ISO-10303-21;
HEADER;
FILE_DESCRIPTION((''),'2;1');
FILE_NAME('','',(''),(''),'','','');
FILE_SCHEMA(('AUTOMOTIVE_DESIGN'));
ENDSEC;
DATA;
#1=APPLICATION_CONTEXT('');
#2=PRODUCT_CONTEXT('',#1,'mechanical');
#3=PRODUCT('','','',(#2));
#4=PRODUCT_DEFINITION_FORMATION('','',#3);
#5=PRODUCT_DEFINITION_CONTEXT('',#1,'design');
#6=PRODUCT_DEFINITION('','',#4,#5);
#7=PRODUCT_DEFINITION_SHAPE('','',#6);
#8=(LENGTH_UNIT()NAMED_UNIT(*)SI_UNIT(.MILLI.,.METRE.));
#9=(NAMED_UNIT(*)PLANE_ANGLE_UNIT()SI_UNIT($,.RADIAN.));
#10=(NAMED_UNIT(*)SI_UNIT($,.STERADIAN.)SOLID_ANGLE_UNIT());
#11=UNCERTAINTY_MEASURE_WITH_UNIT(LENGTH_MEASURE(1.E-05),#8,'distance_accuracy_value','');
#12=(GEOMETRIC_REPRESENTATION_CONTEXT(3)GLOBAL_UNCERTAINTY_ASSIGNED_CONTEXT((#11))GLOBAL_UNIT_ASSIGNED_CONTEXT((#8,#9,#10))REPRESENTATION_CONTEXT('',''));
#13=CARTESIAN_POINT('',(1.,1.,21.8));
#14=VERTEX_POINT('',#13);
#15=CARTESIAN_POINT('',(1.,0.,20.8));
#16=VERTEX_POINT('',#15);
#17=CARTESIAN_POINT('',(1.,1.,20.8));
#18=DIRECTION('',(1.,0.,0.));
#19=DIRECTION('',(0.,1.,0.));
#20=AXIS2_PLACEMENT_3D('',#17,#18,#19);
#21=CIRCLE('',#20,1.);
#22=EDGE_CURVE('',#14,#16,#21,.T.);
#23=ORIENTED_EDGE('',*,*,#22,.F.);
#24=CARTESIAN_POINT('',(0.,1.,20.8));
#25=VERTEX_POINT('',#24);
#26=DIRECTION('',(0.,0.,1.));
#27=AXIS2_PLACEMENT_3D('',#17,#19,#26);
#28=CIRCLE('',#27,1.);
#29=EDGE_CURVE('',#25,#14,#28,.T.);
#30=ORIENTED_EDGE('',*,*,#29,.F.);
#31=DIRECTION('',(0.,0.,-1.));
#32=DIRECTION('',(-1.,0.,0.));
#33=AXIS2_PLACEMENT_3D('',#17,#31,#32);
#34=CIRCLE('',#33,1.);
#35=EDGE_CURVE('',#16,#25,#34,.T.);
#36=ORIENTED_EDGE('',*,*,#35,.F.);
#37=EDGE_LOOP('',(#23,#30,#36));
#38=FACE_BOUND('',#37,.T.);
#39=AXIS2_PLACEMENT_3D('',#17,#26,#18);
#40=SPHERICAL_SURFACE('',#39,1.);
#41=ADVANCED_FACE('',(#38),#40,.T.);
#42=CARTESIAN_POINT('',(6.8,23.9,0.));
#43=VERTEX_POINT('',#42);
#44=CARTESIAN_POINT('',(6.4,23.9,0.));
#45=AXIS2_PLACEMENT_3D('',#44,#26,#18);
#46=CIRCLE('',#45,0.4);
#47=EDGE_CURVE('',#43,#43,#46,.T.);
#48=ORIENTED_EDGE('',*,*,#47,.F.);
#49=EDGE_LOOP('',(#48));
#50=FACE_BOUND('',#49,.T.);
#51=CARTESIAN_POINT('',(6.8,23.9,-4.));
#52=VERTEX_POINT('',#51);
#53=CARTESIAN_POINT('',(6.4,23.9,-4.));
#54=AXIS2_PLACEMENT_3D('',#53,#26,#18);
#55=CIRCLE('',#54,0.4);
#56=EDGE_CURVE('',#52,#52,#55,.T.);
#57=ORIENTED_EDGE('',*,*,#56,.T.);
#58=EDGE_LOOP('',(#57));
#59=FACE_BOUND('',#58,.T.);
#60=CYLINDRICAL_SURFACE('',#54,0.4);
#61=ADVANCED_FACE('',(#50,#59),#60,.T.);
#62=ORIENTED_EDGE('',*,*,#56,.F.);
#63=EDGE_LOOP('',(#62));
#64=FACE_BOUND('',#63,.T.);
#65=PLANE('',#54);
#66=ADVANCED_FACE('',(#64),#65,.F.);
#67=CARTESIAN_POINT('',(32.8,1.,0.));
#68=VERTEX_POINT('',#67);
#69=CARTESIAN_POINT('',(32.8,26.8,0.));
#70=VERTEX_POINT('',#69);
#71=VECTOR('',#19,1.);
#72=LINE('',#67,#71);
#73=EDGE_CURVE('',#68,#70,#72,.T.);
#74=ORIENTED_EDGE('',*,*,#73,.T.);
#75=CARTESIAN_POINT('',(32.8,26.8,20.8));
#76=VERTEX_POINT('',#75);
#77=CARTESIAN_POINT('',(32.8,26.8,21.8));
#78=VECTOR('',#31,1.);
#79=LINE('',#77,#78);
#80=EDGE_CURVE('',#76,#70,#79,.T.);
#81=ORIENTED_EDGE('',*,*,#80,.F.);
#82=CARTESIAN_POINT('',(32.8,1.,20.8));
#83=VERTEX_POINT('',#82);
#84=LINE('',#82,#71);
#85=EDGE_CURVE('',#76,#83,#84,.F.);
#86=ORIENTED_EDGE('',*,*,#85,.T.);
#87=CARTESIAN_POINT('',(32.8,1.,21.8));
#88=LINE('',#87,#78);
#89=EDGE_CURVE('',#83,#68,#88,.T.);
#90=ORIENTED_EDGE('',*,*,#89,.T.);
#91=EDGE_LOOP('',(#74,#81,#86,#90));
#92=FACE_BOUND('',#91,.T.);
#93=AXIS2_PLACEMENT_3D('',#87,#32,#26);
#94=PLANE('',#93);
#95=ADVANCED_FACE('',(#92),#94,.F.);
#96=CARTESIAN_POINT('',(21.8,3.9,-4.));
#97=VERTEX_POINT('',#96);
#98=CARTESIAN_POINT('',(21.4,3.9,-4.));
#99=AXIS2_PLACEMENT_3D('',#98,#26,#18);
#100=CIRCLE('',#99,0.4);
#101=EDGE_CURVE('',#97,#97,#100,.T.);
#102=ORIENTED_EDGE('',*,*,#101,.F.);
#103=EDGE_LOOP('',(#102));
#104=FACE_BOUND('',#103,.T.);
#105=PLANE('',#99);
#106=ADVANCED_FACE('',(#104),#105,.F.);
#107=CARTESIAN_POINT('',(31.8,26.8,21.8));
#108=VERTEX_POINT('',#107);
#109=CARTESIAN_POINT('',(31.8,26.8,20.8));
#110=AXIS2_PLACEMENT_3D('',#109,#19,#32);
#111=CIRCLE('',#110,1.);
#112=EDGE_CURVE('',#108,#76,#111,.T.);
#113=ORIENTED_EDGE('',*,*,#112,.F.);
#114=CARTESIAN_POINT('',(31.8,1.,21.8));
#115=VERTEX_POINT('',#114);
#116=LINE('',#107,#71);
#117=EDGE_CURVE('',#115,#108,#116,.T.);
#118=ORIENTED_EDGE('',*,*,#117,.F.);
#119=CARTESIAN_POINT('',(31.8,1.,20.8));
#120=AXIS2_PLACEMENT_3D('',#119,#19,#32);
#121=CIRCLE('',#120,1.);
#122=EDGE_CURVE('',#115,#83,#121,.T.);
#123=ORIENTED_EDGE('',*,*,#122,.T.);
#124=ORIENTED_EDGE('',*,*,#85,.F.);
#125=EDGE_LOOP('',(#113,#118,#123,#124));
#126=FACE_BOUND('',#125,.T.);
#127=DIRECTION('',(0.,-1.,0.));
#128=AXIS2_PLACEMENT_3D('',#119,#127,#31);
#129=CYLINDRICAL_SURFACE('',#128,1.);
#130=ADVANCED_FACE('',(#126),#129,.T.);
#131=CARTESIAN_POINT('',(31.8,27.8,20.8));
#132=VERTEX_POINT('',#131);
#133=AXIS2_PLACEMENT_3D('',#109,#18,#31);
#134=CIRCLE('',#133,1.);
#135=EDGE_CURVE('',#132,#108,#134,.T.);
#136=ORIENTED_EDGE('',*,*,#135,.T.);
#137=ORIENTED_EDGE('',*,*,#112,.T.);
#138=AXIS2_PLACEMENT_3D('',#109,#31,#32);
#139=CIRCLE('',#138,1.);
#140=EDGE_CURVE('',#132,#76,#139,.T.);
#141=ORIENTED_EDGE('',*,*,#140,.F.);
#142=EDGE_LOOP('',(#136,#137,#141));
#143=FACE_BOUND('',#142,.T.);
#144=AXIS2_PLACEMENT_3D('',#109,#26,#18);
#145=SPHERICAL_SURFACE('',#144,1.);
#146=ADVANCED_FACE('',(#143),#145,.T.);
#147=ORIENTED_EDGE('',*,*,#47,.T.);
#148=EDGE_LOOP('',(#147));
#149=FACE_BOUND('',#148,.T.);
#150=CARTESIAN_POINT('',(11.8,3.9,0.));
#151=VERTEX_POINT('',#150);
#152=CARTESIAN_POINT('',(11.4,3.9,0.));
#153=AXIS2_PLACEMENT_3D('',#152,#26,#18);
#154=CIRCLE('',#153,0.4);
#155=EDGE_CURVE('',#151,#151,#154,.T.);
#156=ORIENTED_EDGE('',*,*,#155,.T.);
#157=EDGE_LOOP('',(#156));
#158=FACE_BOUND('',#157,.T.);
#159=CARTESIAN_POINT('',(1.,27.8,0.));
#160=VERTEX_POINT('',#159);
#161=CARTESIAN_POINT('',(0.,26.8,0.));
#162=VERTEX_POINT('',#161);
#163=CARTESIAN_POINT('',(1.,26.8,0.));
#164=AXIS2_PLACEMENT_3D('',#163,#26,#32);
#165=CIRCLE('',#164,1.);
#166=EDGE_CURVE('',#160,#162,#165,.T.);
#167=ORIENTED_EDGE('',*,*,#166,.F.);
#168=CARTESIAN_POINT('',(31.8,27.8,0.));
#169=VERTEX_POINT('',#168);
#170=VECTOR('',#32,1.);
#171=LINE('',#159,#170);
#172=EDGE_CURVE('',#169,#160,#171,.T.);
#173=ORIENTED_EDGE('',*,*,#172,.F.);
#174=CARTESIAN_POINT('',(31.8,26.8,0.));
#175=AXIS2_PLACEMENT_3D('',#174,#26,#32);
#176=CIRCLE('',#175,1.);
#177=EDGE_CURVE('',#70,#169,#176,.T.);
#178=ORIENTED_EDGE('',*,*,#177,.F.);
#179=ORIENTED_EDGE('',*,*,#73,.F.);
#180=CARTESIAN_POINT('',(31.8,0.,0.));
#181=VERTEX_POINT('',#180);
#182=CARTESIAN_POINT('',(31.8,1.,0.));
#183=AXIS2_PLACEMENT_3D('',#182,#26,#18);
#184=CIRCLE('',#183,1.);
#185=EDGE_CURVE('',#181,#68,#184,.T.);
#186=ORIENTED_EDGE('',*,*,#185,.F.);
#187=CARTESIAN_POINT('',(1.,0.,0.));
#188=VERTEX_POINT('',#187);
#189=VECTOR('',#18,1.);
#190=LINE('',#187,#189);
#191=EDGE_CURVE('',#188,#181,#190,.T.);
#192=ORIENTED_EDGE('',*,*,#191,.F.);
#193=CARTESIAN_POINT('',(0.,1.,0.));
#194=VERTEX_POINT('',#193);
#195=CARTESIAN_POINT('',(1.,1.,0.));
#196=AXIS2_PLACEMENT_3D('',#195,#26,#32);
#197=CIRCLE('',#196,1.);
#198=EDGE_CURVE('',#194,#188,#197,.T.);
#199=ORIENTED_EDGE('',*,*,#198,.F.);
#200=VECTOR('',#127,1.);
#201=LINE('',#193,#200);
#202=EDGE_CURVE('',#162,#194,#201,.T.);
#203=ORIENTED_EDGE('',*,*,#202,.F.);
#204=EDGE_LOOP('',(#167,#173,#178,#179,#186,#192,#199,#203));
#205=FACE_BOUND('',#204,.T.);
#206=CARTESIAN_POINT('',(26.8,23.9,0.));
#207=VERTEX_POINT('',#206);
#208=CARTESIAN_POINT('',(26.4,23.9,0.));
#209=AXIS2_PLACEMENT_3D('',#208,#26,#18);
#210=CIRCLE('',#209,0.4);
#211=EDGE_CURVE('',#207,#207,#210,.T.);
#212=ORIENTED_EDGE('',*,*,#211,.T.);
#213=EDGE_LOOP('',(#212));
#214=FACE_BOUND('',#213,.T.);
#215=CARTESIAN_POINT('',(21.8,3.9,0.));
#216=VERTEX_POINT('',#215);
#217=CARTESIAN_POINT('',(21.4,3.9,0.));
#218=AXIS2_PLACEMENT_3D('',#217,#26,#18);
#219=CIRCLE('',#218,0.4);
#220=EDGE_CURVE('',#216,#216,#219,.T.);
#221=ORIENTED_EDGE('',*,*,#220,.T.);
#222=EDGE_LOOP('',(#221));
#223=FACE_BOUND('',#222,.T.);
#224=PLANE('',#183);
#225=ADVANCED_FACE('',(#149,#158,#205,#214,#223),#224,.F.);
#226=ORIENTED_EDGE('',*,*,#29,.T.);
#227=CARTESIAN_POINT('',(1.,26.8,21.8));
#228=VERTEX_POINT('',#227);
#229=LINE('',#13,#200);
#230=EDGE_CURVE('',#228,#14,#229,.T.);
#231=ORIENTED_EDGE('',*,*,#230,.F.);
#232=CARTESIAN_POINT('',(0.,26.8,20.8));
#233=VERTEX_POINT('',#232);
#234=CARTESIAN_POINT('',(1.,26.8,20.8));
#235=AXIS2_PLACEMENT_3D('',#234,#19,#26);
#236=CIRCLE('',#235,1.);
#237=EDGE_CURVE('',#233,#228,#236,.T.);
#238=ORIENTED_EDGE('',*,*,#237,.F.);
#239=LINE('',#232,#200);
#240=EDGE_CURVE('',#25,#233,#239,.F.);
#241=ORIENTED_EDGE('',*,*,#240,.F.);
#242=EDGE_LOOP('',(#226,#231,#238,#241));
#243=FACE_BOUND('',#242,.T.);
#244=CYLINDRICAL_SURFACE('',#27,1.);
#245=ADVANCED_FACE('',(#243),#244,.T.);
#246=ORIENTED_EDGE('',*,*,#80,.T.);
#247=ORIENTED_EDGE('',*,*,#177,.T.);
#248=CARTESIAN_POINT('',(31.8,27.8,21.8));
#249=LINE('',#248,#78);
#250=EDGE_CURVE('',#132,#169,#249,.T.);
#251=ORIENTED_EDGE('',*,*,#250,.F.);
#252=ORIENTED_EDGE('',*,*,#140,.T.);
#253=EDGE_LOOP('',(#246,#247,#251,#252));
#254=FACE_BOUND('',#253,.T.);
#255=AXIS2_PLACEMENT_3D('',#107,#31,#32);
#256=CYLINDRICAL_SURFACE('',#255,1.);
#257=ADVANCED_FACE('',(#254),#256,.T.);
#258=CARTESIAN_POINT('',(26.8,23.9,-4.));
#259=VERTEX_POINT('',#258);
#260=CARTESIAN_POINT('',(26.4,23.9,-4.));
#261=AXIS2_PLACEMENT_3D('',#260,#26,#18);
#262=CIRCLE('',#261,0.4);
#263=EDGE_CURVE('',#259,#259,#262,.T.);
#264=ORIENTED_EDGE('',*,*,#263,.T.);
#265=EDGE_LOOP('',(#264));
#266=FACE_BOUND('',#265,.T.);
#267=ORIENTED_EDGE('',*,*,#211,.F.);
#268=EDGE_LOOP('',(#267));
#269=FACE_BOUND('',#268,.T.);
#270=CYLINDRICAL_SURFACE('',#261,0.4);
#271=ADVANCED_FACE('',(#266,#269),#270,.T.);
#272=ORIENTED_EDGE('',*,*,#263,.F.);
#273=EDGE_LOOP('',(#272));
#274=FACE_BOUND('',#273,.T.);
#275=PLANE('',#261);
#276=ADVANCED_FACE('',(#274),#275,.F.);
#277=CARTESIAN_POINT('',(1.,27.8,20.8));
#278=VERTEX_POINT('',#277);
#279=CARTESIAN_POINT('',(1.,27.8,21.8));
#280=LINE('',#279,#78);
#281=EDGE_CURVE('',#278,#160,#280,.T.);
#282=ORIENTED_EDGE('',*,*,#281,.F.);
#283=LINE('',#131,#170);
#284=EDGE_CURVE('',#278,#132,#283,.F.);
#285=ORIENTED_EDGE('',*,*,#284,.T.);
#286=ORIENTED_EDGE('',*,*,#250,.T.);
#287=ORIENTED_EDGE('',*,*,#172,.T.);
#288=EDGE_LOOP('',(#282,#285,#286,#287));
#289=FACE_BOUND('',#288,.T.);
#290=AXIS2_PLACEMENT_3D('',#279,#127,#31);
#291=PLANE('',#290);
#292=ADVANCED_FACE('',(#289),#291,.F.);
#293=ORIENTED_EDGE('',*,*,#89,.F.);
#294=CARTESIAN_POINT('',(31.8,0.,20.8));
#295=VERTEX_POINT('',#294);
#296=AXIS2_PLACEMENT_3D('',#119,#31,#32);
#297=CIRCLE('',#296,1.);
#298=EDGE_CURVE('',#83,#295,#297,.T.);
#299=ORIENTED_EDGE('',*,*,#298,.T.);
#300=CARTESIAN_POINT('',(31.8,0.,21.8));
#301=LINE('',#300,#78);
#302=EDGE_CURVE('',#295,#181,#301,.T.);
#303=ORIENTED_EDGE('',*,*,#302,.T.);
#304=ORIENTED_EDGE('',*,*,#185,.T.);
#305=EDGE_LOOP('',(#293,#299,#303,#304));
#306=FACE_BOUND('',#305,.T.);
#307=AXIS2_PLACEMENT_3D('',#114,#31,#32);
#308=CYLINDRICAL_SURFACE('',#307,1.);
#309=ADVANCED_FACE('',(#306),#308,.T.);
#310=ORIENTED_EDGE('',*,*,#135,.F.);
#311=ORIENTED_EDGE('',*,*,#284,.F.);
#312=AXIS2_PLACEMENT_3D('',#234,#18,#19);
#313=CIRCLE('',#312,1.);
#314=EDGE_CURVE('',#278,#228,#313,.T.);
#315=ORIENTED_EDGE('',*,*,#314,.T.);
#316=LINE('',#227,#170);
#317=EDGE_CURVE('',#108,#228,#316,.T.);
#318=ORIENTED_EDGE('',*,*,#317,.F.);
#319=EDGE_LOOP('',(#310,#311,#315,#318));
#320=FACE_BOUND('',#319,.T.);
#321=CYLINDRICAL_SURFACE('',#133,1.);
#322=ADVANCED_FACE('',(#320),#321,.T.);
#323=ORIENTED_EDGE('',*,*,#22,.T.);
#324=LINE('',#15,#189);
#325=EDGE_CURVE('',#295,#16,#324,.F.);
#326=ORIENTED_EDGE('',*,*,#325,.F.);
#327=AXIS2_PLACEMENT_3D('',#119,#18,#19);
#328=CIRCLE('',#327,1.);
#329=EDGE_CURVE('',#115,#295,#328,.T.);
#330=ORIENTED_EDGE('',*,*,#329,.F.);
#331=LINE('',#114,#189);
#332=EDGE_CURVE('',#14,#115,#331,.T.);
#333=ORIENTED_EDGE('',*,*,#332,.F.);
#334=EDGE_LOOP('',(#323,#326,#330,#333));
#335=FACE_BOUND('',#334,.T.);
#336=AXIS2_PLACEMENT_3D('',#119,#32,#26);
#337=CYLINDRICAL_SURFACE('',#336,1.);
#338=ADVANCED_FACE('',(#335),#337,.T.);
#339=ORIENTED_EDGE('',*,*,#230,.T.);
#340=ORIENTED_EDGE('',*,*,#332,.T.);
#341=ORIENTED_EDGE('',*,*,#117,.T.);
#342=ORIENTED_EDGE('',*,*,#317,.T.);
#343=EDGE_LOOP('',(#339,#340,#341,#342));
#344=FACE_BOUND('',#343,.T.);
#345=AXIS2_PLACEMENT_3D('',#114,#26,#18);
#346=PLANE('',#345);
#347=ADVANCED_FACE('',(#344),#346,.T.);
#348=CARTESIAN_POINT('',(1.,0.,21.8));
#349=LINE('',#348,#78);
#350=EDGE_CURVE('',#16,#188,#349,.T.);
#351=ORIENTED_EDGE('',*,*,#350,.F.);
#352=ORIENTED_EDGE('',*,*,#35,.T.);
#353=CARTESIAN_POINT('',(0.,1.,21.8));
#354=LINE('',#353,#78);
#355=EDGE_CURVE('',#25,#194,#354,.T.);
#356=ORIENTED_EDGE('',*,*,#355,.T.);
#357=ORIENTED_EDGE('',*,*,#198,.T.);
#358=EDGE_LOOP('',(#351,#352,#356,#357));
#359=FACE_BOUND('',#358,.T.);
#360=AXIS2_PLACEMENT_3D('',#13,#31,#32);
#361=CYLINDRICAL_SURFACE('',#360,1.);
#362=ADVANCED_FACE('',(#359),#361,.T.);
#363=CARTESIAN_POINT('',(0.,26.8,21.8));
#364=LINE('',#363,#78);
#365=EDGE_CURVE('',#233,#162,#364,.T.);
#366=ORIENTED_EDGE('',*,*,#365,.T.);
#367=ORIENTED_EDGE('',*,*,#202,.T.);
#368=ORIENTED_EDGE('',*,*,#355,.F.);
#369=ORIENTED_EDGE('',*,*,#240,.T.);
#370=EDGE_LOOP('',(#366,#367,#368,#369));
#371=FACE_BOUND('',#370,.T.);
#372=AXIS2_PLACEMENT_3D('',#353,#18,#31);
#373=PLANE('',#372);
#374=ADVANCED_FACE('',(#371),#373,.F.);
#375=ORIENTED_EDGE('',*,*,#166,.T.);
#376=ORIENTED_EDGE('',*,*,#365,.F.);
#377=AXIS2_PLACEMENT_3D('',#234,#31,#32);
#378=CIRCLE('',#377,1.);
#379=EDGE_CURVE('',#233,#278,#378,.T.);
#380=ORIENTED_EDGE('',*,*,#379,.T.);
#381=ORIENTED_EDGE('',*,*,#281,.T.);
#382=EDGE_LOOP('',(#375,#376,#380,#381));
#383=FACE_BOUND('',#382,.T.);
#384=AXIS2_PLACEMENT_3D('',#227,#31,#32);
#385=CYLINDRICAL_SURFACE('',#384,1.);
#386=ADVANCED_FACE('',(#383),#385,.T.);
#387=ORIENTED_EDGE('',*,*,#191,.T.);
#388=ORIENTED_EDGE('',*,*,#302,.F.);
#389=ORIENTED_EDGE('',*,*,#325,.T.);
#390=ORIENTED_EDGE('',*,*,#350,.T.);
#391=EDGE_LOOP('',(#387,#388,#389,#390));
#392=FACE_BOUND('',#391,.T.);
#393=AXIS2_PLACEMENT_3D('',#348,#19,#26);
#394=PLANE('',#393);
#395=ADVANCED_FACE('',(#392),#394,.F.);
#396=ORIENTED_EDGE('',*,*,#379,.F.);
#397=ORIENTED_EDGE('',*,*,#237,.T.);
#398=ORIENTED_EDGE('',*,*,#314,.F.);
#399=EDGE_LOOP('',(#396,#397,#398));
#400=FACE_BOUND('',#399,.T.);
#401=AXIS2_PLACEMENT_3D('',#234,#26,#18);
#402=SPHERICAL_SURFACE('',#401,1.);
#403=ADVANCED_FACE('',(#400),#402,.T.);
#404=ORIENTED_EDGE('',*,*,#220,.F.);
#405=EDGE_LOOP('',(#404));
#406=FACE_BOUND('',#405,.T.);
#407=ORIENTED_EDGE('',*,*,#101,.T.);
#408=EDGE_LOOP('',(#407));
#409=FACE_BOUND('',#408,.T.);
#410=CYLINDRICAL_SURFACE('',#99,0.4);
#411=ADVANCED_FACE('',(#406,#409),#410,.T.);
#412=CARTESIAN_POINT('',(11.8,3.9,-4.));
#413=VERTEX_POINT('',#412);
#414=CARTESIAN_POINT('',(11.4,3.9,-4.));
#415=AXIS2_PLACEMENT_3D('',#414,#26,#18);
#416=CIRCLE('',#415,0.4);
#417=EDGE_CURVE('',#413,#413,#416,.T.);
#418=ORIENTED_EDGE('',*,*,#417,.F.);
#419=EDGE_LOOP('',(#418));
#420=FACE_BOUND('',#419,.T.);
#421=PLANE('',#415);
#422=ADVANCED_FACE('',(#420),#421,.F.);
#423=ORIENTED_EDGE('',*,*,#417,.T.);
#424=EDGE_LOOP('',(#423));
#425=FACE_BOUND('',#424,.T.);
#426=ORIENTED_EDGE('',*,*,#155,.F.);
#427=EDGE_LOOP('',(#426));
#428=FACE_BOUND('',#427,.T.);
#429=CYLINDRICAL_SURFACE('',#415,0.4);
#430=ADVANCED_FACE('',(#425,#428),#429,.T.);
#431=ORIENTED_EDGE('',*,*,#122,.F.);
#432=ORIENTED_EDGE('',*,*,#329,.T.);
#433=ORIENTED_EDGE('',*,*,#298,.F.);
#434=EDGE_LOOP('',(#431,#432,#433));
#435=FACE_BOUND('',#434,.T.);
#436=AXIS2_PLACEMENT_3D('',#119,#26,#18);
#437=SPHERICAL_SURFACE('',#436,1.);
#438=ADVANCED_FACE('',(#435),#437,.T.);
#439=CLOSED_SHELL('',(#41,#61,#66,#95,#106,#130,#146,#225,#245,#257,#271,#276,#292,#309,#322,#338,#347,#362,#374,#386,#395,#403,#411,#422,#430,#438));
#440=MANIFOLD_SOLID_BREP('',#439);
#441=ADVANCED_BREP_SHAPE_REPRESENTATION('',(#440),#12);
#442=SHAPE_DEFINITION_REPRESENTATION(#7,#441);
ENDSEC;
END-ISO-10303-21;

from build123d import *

# Parameters (mm, degrees)
P_IDAT_VYSUNUT_M1_DEPTH = 21.8
ZAOBLIT1_R              = 1
SKICA2_R                = 0.4
P_IDAT_VYSUNUT_M2_DEPTH = 4


with BuildPart() as part:
    # Skica1 → Přidat vysunutím1 (new body)
    with BuildSketch(Plane.XY):
        with BuildLine():
            Line((1, 0), (31.8, 0))
            ThreePointArc((31.8, 0), (32.507106781, 0.292893219), (32.8, 1))
            Line((32.8, 1), (32.8, 26.8))
            ThreePointArc((32.8, 26.8), (32.507106781, 27.507106781), (31.8, 27.8))
            Line((31.8, 27.8), (1, 27.8))
            ThreePointArc((1, 27.8), (0.292893219, 27.507106781), (0, 26.8))
            Line((0, 26.8), (0, 1))
            ThreePointArc((0, 1), (0.292893219, 0.292893219), (1, 0))
        make_face()
    extrude(amount=P_IDAT_VYSUNUT_M1_DEPTH)

    # Zaoblit1
    zaoblit1_edges = [part.edges().sort_by_distance(p)[0] for p in [
        (32.507106781, 27.507106781, 21.8),
        (16.4, 27.8, 21.8),
        (0.292893219, 27.507106781, 21.8),
        (0, 13.9, 21.8),
        (0.292893219, 0.292893219, 21.8),
        (16.4, 0, 21.8),
        (32.507106781, 0.292893219, 21.8),
        (32.8, 13.9, 21.8),
    ]]
    fillet(zaoblit1_edges, radius=ZAOBLIT1_R)

    # Skica2 → Přidat vysunutím2 (add)
    with BuildSketch(Plane.XY):
        with Locations((21.4, 3.9)):
            Circle(SKICA2_R)
        with Locations((26.4, 23.9)):
            Circle(SKICA2_R)
        with Locations((6.4, 23.9)):
            Circle(SKICA2_R)
        with Locations((11.4, 3.9)):
            Circle(SKICA2_R)
    extrude(amount=-P_IDAT_VYSUNUT_M2_DEPTH)


solid = part.part
